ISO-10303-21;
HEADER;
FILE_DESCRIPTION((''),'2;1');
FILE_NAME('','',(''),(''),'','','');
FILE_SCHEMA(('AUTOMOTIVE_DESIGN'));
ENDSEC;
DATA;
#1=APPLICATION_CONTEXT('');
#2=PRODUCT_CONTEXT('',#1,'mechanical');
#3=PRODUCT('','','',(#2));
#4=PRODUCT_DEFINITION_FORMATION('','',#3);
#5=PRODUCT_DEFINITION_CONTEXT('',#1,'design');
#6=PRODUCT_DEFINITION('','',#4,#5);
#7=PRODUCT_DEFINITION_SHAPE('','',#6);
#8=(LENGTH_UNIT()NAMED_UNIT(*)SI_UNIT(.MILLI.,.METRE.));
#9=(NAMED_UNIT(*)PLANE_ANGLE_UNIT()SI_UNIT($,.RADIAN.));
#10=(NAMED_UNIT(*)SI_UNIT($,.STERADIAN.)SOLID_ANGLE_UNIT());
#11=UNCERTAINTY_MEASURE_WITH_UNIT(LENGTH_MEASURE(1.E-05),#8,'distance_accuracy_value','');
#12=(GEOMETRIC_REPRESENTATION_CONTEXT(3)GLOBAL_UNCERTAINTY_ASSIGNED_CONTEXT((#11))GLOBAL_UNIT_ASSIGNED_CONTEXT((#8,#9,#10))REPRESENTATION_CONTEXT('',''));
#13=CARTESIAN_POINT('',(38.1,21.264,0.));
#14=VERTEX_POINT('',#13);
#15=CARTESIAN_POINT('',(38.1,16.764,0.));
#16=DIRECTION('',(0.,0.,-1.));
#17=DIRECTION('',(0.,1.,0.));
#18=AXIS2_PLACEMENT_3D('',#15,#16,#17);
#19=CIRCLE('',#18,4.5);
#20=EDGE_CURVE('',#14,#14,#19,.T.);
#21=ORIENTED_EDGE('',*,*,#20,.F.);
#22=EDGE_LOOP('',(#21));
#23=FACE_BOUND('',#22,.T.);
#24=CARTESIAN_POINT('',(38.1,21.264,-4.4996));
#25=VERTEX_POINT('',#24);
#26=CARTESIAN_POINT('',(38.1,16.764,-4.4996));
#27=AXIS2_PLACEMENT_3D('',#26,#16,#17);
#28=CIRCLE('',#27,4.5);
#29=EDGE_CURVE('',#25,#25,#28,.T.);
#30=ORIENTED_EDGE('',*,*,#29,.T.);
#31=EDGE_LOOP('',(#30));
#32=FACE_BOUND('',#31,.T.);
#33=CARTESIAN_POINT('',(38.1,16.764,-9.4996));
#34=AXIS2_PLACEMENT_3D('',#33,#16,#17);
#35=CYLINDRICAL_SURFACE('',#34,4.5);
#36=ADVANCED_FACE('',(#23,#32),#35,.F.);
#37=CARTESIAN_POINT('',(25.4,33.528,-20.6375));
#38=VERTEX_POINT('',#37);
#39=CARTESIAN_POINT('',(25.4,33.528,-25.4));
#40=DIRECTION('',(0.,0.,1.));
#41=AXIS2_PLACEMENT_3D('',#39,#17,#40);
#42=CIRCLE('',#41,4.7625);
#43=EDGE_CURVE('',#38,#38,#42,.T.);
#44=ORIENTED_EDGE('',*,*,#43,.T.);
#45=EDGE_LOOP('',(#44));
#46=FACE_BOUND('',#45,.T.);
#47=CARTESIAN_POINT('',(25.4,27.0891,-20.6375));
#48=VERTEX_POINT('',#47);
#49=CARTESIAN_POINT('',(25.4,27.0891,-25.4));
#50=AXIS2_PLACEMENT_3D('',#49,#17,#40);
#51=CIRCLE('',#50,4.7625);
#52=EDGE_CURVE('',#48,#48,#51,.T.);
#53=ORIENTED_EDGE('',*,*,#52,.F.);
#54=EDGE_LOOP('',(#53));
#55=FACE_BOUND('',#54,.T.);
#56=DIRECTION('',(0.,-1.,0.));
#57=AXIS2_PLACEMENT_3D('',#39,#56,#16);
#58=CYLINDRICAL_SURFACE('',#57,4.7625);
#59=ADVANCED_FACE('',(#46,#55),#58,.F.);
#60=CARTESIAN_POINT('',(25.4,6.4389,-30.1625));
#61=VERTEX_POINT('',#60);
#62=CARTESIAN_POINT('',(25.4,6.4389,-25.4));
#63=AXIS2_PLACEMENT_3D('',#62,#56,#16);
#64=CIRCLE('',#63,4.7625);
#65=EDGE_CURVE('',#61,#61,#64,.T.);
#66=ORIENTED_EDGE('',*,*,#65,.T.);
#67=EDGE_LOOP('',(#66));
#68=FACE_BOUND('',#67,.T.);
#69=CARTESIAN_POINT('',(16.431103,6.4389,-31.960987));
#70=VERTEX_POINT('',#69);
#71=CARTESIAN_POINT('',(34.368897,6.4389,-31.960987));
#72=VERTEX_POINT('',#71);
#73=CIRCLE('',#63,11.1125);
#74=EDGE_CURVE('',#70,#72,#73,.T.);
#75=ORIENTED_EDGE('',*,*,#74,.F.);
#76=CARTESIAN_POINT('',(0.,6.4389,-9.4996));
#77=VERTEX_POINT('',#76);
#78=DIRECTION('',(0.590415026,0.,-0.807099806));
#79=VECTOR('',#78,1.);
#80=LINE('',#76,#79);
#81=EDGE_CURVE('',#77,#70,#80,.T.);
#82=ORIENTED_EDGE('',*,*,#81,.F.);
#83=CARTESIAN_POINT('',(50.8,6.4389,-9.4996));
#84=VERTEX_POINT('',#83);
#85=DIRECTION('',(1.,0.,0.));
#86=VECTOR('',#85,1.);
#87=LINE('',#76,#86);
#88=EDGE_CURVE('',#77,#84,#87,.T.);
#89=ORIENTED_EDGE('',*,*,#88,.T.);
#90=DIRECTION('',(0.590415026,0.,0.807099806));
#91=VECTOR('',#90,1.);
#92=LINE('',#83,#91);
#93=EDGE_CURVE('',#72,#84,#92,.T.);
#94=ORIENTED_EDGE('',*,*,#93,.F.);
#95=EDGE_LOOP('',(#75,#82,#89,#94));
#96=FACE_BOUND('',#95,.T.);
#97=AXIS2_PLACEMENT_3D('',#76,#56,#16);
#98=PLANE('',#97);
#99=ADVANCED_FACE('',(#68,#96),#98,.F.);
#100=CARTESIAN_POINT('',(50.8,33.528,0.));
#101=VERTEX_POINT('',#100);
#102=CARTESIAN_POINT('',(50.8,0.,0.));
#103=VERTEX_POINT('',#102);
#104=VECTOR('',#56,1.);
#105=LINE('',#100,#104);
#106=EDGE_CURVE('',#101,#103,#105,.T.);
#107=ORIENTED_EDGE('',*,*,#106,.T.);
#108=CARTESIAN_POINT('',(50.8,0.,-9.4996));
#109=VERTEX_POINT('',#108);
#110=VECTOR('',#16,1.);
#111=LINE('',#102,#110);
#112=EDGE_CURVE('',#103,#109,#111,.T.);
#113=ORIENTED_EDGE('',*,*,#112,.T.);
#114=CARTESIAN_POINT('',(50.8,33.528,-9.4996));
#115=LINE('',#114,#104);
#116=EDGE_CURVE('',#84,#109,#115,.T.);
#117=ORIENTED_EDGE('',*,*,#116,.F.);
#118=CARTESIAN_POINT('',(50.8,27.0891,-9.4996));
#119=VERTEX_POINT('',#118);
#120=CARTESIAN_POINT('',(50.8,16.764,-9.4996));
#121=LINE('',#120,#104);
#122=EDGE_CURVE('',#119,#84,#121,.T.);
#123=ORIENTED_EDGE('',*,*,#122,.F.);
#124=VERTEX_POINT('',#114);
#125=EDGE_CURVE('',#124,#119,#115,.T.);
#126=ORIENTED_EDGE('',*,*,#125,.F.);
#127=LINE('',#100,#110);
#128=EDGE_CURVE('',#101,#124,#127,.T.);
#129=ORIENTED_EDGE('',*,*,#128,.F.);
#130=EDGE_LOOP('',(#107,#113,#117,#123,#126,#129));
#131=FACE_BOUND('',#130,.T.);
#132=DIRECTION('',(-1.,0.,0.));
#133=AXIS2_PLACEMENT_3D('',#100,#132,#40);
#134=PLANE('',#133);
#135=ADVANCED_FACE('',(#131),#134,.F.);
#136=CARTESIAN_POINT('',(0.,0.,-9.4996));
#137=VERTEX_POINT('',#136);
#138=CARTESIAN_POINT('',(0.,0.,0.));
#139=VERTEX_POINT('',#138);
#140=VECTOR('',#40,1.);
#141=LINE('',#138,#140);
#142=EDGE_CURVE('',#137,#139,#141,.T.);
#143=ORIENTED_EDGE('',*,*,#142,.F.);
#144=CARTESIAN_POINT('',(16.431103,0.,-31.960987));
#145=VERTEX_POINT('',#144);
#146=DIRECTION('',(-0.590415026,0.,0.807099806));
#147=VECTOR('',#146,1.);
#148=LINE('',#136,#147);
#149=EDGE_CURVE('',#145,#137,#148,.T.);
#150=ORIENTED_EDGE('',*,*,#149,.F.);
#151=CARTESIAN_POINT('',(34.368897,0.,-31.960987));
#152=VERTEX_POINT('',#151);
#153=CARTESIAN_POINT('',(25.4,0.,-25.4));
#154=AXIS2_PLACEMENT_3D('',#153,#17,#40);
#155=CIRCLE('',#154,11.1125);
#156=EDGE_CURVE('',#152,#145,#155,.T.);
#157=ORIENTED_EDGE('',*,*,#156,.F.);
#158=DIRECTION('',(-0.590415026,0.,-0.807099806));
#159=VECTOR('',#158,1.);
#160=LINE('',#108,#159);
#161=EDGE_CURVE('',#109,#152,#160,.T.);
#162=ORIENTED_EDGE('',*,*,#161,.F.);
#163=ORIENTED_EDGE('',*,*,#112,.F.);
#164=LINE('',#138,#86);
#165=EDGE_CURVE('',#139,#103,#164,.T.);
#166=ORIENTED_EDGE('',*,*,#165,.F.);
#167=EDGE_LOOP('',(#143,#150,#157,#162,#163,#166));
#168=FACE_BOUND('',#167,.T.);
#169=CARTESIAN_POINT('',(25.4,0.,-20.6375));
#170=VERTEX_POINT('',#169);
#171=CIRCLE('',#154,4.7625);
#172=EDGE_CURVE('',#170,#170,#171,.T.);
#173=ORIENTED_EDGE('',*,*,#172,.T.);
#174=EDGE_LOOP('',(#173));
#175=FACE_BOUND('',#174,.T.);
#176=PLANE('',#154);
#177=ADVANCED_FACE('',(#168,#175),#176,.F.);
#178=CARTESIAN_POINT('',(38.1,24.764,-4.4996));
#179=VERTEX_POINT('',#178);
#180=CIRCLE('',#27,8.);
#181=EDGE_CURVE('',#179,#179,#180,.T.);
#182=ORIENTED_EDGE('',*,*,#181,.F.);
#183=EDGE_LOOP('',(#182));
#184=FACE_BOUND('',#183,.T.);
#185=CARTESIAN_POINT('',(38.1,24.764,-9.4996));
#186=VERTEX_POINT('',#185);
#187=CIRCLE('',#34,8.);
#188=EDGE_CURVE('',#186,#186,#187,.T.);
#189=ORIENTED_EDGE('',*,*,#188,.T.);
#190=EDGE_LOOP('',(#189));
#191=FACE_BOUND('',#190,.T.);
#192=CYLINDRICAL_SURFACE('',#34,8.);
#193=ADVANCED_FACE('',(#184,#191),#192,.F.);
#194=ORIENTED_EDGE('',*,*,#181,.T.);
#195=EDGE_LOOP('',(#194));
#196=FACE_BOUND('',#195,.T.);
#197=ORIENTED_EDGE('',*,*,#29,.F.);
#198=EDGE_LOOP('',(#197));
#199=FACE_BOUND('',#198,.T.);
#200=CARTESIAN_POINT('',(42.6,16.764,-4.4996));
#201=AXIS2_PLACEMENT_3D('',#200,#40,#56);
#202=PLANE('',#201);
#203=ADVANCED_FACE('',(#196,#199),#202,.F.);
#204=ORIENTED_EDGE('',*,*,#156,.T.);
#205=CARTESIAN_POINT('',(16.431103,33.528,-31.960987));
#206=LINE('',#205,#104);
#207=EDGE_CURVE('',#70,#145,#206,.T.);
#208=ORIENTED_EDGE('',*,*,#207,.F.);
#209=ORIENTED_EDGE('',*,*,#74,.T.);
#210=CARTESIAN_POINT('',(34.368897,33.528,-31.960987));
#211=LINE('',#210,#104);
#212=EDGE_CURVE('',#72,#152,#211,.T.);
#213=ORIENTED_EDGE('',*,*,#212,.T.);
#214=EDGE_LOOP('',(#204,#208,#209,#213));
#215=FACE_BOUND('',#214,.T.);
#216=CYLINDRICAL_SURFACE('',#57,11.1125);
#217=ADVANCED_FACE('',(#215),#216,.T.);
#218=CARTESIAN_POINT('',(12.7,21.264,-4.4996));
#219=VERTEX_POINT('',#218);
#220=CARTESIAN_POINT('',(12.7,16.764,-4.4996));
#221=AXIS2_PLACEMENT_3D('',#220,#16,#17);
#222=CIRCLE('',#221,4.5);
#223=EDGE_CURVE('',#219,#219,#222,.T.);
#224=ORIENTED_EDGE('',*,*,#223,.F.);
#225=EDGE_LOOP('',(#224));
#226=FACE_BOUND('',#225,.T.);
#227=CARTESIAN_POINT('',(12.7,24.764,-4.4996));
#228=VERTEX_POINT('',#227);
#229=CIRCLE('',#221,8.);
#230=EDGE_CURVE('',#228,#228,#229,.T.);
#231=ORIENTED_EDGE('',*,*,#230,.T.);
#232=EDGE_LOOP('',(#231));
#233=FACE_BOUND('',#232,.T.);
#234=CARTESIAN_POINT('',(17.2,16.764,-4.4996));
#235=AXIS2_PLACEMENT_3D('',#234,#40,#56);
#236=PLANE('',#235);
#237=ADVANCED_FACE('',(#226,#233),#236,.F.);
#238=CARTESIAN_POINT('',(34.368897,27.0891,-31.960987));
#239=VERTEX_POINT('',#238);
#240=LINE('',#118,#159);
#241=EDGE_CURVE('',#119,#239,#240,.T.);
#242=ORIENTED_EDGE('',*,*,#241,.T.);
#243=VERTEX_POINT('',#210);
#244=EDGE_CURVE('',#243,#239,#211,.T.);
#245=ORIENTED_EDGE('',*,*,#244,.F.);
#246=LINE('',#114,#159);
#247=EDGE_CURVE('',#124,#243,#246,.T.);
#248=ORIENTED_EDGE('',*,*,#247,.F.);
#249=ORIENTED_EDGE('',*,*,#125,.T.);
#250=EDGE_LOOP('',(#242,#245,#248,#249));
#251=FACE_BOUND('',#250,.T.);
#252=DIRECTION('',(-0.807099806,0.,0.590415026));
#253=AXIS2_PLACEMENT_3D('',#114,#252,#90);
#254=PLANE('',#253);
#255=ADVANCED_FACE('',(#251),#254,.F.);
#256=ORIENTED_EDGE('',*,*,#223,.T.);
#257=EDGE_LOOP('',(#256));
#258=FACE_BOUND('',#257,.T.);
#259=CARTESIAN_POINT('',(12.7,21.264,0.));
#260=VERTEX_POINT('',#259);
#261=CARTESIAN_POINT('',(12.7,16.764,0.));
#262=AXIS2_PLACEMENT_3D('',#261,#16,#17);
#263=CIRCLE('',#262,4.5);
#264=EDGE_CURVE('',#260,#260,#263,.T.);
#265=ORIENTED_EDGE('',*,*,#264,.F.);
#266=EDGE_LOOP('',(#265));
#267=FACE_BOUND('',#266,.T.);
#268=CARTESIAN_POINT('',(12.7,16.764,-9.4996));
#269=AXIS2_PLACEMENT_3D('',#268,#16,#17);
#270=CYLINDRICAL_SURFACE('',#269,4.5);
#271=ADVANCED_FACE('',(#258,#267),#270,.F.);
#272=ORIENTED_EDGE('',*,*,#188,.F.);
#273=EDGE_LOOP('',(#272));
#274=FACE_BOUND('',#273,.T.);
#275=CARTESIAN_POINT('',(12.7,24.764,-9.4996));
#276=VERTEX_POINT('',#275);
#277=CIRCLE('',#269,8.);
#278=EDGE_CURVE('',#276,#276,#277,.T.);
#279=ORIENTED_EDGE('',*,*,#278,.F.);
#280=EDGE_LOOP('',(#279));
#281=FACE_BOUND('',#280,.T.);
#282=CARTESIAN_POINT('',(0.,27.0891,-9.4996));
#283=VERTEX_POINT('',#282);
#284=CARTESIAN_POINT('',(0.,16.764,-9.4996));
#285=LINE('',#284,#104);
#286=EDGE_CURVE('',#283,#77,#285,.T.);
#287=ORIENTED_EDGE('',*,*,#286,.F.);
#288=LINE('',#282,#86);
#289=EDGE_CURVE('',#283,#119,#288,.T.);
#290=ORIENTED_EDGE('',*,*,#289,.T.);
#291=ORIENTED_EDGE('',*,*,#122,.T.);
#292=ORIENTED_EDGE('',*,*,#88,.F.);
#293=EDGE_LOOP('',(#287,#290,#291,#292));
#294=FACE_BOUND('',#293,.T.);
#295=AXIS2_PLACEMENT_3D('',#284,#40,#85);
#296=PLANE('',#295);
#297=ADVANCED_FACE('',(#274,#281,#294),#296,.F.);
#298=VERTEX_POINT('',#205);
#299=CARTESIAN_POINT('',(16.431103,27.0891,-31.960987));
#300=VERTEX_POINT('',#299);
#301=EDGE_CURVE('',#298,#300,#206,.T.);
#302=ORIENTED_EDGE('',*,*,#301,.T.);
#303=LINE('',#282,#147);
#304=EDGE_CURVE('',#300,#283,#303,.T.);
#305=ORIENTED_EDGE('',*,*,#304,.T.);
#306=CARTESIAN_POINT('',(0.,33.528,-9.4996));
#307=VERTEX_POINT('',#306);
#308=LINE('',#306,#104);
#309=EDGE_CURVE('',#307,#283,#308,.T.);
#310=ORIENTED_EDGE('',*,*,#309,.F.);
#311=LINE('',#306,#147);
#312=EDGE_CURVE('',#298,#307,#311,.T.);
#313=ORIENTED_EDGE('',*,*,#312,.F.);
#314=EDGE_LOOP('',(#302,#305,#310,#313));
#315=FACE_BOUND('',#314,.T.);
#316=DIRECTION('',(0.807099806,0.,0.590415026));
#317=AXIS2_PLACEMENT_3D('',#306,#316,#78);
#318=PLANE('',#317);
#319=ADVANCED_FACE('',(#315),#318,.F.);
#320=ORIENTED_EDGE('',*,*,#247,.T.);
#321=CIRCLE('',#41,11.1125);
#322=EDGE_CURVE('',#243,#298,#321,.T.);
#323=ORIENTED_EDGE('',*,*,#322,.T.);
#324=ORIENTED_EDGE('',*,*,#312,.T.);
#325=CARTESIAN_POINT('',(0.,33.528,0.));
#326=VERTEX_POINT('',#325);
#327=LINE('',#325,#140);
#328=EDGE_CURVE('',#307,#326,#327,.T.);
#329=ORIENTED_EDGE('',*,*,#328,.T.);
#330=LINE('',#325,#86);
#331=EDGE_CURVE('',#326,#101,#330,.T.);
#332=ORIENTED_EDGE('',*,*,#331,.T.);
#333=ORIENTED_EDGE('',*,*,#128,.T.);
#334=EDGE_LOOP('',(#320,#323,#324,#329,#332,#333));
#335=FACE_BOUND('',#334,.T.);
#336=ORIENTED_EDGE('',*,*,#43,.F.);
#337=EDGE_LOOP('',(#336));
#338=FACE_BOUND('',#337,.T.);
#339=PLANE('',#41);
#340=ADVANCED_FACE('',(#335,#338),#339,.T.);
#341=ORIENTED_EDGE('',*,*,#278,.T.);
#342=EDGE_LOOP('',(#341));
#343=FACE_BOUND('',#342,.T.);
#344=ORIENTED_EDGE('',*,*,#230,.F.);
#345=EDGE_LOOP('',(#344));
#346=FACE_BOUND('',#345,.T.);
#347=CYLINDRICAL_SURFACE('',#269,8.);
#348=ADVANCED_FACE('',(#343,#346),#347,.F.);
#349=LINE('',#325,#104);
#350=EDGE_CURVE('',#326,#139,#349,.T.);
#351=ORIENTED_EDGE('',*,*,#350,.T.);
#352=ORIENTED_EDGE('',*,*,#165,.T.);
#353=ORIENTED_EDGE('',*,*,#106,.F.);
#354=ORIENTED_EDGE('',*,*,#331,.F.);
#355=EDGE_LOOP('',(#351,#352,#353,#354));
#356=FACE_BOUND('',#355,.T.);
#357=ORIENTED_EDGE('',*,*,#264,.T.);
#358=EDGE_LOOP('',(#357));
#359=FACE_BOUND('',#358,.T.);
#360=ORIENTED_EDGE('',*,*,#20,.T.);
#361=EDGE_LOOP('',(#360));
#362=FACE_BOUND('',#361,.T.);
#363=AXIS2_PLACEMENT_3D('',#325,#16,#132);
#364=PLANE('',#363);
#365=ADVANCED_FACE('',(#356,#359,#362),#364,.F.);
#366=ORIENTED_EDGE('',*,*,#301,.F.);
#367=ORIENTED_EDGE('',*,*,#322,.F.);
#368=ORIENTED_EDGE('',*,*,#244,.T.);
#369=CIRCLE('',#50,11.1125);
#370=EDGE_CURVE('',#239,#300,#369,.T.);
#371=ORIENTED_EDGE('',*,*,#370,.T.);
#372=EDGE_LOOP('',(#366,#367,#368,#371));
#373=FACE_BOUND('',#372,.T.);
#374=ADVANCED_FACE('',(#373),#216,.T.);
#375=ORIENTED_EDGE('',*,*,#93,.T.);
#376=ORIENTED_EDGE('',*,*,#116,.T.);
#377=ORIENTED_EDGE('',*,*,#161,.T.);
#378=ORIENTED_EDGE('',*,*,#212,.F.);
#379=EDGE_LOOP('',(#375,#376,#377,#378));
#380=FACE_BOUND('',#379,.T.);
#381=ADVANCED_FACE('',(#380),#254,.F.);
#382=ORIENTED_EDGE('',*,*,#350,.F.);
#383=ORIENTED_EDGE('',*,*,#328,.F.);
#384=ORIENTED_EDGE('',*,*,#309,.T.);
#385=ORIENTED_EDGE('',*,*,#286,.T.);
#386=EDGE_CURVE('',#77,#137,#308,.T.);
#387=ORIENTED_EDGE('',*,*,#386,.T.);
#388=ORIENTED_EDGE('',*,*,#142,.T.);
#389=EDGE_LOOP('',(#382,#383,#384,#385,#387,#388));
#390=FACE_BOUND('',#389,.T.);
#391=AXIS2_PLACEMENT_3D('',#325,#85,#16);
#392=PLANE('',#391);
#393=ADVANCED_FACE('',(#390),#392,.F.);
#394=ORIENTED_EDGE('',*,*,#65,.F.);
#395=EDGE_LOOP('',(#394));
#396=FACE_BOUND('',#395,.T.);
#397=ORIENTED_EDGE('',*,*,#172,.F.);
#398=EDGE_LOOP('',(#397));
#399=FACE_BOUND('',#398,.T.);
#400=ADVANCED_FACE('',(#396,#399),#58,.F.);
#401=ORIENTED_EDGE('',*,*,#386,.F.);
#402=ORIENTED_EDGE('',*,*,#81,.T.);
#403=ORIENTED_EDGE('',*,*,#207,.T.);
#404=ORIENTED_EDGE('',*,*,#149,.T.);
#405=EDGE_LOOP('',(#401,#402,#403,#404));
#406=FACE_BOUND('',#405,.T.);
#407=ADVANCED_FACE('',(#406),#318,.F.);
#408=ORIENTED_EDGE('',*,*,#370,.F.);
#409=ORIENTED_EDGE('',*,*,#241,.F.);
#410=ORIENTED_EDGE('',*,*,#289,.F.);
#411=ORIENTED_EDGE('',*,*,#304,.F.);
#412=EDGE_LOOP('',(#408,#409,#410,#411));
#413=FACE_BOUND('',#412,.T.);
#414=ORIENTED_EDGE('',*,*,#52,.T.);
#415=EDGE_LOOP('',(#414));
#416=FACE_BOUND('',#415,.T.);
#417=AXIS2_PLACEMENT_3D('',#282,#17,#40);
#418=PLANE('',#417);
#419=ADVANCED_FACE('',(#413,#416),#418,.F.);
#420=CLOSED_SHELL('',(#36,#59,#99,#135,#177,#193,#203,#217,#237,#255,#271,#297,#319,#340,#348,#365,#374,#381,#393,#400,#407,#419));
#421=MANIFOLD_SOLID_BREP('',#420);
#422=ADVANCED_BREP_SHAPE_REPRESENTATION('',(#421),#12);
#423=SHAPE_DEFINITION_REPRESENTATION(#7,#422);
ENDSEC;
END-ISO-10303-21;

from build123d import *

# Parameters (mm, degrees)
SKETCH1_R                               = 4.7625
BOSS_EXTRUDE1_DEPTH                     = 33.528
CUT_EXTRUDE1_DEPTH                      = 71.978373046
CBORE_FOR_M8_HEX_HEAD_BOLT1_D           = 9
CBORE_FOR_M8_HEX_HEAD_BOLT1_CBORE_D     = 16
CBORE_FOR_M8_HEX_HEAD_BOLT1_CBORE_DEPTH = 5


with BuildPart() as part:
    # Sketch1 → Boss-Extrude1 (new body)
    with BuildSketch(Plane(origin=(0, 0, 0), x_dir=(1, 0, 0), z_dir=(0, 1, 0))):
        with BuildLine():
            Line((0, 0), (50.8, 0))
            Line((50.8, 0), (50.8, 9.4996))
            Line((50.8, 9.4996), (34.368896597, 31.960986975))
            ThreePointArc((34.368896597, 31.960986975), (25.4, 36.5125), (16.431103403, 31.960986975))
            Line((16.431103403, 31.960986975), (0, 9.4996))
            Line((0, 9.4996), (0, 0))
        make_face()
        with Locations(Location((25.4, 25.4, 0), (0, 0, 270))):
            Circle(SKETCH1_R, mode=Mode.SUBTRACT)
    extrude(amount=BOSS_EXTRUDE1_DEPTH)

    # Sketch2 → Cut-Extrude1 (cut, through all)
    with BuildSketch(Plane(origin=(50.8, 0, 0), x_dir=(0, 0, -1), z_dir=(1, 0, 0))):
        Polygon((9.4996, 16.764), (9.4996, 27.0891), (41.2496, 27.0891), (41.2496, 6.4389), (9.4996, 6.4389), align=None)
    extrude(amount=-CUT_EXTRUDE1_DEPTH, mode=Mode.SUBTRACT)

    # CBORE for M8 Hex Head Bolt1 (through all)
    with Locations(Plane(origin=(0, 0, -9.4996), x_dir=(-1, 0, 0), z_dir=(0, 0, -1))):
        with Locations((-12.7, 16.764), (-38.1, 16.764)):
            CounterBoreHole(CBORE_FOR_M8_HEX_HEAD_BOLT1_D / 2, CBORE_FOR_M8_HEX_HEAD_BOLT1_CBORE_D / 2, CBORE_FOR_M8_HEX_HEAD_BOLT1_CBORE_DEPTH)


solid = part.part
